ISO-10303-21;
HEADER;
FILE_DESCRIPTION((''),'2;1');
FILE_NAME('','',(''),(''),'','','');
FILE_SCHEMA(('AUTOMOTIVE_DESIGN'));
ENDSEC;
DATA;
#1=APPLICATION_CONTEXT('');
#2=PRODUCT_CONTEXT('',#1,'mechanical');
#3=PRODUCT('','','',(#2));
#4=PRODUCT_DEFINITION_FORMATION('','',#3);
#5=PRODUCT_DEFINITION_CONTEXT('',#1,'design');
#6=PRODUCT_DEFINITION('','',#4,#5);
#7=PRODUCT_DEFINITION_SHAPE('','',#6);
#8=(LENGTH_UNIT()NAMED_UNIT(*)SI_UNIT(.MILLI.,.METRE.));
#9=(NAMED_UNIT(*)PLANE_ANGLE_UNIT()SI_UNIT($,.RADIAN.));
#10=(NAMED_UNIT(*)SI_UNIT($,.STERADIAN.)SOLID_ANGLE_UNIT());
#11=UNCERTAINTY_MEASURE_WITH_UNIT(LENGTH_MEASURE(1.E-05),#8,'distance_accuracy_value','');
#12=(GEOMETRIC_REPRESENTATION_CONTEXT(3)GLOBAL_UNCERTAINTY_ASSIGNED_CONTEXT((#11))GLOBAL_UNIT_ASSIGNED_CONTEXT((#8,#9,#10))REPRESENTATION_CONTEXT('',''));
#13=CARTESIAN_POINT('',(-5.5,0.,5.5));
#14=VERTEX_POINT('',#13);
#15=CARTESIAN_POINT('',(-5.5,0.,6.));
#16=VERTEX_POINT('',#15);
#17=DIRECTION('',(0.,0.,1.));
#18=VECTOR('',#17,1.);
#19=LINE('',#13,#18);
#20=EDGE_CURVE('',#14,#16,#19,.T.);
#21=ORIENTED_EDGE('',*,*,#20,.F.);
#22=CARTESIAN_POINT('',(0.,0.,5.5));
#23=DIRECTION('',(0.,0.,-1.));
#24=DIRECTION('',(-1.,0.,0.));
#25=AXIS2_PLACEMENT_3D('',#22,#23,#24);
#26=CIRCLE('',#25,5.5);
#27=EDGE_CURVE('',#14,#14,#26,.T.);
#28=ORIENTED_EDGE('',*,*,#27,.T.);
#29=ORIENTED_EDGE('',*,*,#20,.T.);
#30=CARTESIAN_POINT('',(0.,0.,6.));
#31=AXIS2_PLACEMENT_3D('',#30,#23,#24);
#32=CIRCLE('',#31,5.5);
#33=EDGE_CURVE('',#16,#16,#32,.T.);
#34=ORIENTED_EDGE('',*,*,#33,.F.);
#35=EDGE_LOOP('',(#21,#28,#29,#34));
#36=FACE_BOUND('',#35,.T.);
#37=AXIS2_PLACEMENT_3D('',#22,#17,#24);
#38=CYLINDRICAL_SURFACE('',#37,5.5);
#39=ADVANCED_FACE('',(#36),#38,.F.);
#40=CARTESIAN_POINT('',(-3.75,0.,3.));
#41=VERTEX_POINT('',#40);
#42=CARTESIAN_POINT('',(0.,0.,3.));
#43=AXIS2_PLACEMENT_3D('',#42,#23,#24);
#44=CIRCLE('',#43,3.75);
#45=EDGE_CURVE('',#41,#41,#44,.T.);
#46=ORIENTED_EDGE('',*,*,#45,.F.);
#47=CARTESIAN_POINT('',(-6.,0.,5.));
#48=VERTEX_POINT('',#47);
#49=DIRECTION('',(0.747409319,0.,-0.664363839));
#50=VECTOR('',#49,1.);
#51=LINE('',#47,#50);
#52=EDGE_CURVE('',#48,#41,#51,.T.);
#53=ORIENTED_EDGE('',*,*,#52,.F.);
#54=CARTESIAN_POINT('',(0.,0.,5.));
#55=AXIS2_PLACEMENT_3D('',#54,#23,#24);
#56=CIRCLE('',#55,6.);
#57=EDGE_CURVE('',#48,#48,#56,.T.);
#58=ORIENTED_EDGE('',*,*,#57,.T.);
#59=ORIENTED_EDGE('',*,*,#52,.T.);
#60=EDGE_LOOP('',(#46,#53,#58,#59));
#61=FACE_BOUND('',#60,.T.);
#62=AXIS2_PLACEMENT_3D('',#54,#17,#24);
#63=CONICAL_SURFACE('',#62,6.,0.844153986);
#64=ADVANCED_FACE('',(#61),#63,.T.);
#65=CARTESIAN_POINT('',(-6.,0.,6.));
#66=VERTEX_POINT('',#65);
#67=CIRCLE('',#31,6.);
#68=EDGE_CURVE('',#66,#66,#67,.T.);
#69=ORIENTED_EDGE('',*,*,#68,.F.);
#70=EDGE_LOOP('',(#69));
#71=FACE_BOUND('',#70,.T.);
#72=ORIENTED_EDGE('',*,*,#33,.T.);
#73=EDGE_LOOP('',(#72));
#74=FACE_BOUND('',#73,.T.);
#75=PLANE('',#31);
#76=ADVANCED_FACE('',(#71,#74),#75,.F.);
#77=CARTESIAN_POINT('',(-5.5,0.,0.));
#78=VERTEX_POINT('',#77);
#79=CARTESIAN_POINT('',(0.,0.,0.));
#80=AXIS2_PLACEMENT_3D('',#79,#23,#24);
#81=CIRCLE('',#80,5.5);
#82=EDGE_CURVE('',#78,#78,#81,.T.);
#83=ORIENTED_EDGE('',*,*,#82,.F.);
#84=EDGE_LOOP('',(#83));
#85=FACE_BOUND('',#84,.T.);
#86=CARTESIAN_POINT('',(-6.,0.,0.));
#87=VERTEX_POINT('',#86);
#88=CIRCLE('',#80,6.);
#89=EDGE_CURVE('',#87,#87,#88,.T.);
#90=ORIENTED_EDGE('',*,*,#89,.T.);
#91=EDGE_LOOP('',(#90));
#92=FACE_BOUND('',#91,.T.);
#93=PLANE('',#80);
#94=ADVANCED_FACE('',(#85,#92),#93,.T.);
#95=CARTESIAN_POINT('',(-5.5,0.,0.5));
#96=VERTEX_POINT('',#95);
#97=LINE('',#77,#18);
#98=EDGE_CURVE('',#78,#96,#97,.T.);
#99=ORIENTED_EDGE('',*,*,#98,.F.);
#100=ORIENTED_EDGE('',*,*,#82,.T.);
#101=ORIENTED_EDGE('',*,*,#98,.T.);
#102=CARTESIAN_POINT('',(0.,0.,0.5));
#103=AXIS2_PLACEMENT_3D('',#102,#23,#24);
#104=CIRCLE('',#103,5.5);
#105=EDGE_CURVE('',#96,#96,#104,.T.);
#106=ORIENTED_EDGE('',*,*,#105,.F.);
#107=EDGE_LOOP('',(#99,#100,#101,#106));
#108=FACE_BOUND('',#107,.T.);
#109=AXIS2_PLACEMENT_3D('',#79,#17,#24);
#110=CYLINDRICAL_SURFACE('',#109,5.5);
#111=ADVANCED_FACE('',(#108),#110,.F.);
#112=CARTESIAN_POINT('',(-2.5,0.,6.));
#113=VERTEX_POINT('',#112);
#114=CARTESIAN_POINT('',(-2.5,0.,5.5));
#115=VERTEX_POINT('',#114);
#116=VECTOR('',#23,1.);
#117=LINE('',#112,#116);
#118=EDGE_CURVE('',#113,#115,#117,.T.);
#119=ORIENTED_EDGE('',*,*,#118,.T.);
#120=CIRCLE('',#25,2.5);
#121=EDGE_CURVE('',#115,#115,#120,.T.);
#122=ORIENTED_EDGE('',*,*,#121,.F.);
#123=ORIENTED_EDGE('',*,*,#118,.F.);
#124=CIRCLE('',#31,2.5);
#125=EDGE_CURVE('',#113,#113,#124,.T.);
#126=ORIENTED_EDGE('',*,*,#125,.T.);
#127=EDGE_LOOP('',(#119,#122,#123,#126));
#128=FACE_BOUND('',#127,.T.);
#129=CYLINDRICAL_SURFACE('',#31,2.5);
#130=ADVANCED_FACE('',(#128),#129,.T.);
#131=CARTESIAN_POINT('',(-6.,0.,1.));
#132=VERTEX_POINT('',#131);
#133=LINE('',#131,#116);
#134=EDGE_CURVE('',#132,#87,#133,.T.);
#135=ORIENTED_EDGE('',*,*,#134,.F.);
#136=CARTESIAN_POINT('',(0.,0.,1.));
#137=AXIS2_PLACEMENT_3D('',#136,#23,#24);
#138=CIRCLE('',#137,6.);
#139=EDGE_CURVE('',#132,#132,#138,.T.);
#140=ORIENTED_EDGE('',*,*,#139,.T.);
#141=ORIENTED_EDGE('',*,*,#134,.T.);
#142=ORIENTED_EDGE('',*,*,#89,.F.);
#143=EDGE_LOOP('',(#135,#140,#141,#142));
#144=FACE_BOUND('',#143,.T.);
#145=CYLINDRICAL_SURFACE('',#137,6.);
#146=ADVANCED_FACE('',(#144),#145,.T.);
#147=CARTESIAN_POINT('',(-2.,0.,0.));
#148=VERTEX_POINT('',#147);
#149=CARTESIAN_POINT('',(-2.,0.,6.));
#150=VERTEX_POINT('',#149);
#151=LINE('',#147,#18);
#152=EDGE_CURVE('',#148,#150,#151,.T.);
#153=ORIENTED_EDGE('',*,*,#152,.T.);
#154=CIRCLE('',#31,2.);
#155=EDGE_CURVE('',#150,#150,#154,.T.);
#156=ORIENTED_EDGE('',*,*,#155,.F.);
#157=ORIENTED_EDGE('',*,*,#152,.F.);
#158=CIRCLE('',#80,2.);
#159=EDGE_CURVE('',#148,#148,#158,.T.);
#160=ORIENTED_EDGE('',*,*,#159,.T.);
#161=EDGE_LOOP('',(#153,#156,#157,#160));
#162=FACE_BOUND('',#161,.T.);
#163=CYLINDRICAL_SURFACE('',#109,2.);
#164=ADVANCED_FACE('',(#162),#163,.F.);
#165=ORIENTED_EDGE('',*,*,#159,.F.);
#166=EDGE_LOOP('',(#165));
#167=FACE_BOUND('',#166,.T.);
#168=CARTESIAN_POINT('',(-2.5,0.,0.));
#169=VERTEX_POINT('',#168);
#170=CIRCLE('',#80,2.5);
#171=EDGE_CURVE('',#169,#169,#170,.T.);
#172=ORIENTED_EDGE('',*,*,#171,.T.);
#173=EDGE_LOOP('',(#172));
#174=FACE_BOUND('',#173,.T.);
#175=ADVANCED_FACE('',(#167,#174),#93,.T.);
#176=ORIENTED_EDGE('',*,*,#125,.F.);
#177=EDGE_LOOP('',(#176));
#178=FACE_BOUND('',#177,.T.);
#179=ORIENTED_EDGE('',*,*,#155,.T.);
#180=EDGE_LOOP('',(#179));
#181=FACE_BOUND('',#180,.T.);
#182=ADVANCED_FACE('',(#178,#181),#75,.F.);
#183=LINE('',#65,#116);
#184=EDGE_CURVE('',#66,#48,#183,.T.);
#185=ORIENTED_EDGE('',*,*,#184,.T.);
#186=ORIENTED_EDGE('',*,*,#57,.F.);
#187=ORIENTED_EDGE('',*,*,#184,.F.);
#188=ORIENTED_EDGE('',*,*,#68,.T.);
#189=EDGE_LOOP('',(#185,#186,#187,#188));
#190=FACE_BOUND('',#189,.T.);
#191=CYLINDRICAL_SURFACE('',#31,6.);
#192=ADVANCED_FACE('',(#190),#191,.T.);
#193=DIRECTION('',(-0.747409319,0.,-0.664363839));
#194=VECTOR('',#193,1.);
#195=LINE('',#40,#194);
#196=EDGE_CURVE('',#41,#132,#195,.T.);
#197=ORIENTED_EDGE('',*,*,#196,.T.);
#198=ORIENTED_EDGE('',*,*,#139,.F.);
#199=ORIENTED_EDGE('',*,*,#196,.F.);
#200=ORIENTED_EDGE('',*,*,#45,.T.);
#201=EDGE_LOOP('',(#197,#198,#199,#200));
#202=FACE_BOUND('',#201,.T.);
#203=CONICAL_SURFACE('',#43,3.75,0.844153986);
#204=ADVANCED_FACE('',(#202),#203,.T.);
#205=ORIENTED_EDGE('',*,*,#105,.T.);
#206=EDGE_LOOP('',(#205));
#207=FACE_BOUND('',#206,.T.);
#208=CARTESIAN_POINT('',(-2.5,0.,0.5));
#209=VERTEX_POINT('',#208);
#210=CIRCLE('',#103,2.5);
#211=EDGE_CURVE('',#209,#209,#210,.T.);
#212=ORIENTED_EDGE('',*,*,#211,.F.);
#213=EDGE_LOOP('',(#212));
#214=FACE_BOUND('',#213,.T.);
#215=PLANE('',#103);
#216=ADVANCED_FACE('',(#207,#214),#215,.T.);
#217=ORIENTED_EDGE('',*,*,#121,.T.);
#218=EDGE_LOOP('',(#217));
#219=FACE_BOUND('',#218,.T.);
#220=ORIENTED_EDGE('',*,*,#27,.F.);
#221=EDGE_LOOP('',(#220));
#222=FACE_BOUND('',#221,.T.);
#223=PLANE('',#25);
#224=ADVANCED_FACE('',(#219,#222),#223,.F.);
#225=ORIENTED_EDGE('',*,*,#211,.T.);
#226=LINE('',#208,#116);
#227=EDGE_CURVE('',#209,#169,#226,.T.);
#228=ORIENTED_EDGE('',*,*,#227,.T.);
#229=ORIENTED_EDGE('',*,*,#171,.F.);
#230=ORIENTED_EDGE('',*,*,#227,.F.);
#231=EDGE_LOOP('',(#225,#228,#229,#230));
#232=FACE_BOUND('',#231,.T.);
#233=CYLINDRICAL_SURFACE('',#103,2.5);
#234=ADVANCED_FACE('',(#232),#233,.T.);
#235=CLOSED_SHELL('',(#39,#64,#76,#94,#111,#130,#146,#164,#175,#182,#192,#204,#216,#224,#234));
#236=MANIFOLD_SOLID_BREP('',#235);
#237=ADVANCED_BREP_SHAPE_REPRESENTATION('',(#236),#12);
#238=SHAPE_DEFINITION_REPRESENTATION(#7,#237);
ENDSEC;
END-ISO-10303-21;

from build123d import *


with BuildPart() as f1:
    # F0 (on Front) → F1 (revolve)
    with BuildSketch(Plane.XZ):
        Polygon((-6, 6), (-6, 5), (-3.75, 3), (-6, 1), (-6, 0), (-5.5, 0), (-5.5, 0.5), (-2.5, 0.5), (-2.5, 0), (-2, 0), (-2, 3), (-2, 6), (-2.5, 6), (-2.5, 5.5), (-5.5, 5.5), (-5.5, 6), align=None)
    revolve(axis=Axis((0, 0, 3), (0, 0, -1)))


solid = f1.part
